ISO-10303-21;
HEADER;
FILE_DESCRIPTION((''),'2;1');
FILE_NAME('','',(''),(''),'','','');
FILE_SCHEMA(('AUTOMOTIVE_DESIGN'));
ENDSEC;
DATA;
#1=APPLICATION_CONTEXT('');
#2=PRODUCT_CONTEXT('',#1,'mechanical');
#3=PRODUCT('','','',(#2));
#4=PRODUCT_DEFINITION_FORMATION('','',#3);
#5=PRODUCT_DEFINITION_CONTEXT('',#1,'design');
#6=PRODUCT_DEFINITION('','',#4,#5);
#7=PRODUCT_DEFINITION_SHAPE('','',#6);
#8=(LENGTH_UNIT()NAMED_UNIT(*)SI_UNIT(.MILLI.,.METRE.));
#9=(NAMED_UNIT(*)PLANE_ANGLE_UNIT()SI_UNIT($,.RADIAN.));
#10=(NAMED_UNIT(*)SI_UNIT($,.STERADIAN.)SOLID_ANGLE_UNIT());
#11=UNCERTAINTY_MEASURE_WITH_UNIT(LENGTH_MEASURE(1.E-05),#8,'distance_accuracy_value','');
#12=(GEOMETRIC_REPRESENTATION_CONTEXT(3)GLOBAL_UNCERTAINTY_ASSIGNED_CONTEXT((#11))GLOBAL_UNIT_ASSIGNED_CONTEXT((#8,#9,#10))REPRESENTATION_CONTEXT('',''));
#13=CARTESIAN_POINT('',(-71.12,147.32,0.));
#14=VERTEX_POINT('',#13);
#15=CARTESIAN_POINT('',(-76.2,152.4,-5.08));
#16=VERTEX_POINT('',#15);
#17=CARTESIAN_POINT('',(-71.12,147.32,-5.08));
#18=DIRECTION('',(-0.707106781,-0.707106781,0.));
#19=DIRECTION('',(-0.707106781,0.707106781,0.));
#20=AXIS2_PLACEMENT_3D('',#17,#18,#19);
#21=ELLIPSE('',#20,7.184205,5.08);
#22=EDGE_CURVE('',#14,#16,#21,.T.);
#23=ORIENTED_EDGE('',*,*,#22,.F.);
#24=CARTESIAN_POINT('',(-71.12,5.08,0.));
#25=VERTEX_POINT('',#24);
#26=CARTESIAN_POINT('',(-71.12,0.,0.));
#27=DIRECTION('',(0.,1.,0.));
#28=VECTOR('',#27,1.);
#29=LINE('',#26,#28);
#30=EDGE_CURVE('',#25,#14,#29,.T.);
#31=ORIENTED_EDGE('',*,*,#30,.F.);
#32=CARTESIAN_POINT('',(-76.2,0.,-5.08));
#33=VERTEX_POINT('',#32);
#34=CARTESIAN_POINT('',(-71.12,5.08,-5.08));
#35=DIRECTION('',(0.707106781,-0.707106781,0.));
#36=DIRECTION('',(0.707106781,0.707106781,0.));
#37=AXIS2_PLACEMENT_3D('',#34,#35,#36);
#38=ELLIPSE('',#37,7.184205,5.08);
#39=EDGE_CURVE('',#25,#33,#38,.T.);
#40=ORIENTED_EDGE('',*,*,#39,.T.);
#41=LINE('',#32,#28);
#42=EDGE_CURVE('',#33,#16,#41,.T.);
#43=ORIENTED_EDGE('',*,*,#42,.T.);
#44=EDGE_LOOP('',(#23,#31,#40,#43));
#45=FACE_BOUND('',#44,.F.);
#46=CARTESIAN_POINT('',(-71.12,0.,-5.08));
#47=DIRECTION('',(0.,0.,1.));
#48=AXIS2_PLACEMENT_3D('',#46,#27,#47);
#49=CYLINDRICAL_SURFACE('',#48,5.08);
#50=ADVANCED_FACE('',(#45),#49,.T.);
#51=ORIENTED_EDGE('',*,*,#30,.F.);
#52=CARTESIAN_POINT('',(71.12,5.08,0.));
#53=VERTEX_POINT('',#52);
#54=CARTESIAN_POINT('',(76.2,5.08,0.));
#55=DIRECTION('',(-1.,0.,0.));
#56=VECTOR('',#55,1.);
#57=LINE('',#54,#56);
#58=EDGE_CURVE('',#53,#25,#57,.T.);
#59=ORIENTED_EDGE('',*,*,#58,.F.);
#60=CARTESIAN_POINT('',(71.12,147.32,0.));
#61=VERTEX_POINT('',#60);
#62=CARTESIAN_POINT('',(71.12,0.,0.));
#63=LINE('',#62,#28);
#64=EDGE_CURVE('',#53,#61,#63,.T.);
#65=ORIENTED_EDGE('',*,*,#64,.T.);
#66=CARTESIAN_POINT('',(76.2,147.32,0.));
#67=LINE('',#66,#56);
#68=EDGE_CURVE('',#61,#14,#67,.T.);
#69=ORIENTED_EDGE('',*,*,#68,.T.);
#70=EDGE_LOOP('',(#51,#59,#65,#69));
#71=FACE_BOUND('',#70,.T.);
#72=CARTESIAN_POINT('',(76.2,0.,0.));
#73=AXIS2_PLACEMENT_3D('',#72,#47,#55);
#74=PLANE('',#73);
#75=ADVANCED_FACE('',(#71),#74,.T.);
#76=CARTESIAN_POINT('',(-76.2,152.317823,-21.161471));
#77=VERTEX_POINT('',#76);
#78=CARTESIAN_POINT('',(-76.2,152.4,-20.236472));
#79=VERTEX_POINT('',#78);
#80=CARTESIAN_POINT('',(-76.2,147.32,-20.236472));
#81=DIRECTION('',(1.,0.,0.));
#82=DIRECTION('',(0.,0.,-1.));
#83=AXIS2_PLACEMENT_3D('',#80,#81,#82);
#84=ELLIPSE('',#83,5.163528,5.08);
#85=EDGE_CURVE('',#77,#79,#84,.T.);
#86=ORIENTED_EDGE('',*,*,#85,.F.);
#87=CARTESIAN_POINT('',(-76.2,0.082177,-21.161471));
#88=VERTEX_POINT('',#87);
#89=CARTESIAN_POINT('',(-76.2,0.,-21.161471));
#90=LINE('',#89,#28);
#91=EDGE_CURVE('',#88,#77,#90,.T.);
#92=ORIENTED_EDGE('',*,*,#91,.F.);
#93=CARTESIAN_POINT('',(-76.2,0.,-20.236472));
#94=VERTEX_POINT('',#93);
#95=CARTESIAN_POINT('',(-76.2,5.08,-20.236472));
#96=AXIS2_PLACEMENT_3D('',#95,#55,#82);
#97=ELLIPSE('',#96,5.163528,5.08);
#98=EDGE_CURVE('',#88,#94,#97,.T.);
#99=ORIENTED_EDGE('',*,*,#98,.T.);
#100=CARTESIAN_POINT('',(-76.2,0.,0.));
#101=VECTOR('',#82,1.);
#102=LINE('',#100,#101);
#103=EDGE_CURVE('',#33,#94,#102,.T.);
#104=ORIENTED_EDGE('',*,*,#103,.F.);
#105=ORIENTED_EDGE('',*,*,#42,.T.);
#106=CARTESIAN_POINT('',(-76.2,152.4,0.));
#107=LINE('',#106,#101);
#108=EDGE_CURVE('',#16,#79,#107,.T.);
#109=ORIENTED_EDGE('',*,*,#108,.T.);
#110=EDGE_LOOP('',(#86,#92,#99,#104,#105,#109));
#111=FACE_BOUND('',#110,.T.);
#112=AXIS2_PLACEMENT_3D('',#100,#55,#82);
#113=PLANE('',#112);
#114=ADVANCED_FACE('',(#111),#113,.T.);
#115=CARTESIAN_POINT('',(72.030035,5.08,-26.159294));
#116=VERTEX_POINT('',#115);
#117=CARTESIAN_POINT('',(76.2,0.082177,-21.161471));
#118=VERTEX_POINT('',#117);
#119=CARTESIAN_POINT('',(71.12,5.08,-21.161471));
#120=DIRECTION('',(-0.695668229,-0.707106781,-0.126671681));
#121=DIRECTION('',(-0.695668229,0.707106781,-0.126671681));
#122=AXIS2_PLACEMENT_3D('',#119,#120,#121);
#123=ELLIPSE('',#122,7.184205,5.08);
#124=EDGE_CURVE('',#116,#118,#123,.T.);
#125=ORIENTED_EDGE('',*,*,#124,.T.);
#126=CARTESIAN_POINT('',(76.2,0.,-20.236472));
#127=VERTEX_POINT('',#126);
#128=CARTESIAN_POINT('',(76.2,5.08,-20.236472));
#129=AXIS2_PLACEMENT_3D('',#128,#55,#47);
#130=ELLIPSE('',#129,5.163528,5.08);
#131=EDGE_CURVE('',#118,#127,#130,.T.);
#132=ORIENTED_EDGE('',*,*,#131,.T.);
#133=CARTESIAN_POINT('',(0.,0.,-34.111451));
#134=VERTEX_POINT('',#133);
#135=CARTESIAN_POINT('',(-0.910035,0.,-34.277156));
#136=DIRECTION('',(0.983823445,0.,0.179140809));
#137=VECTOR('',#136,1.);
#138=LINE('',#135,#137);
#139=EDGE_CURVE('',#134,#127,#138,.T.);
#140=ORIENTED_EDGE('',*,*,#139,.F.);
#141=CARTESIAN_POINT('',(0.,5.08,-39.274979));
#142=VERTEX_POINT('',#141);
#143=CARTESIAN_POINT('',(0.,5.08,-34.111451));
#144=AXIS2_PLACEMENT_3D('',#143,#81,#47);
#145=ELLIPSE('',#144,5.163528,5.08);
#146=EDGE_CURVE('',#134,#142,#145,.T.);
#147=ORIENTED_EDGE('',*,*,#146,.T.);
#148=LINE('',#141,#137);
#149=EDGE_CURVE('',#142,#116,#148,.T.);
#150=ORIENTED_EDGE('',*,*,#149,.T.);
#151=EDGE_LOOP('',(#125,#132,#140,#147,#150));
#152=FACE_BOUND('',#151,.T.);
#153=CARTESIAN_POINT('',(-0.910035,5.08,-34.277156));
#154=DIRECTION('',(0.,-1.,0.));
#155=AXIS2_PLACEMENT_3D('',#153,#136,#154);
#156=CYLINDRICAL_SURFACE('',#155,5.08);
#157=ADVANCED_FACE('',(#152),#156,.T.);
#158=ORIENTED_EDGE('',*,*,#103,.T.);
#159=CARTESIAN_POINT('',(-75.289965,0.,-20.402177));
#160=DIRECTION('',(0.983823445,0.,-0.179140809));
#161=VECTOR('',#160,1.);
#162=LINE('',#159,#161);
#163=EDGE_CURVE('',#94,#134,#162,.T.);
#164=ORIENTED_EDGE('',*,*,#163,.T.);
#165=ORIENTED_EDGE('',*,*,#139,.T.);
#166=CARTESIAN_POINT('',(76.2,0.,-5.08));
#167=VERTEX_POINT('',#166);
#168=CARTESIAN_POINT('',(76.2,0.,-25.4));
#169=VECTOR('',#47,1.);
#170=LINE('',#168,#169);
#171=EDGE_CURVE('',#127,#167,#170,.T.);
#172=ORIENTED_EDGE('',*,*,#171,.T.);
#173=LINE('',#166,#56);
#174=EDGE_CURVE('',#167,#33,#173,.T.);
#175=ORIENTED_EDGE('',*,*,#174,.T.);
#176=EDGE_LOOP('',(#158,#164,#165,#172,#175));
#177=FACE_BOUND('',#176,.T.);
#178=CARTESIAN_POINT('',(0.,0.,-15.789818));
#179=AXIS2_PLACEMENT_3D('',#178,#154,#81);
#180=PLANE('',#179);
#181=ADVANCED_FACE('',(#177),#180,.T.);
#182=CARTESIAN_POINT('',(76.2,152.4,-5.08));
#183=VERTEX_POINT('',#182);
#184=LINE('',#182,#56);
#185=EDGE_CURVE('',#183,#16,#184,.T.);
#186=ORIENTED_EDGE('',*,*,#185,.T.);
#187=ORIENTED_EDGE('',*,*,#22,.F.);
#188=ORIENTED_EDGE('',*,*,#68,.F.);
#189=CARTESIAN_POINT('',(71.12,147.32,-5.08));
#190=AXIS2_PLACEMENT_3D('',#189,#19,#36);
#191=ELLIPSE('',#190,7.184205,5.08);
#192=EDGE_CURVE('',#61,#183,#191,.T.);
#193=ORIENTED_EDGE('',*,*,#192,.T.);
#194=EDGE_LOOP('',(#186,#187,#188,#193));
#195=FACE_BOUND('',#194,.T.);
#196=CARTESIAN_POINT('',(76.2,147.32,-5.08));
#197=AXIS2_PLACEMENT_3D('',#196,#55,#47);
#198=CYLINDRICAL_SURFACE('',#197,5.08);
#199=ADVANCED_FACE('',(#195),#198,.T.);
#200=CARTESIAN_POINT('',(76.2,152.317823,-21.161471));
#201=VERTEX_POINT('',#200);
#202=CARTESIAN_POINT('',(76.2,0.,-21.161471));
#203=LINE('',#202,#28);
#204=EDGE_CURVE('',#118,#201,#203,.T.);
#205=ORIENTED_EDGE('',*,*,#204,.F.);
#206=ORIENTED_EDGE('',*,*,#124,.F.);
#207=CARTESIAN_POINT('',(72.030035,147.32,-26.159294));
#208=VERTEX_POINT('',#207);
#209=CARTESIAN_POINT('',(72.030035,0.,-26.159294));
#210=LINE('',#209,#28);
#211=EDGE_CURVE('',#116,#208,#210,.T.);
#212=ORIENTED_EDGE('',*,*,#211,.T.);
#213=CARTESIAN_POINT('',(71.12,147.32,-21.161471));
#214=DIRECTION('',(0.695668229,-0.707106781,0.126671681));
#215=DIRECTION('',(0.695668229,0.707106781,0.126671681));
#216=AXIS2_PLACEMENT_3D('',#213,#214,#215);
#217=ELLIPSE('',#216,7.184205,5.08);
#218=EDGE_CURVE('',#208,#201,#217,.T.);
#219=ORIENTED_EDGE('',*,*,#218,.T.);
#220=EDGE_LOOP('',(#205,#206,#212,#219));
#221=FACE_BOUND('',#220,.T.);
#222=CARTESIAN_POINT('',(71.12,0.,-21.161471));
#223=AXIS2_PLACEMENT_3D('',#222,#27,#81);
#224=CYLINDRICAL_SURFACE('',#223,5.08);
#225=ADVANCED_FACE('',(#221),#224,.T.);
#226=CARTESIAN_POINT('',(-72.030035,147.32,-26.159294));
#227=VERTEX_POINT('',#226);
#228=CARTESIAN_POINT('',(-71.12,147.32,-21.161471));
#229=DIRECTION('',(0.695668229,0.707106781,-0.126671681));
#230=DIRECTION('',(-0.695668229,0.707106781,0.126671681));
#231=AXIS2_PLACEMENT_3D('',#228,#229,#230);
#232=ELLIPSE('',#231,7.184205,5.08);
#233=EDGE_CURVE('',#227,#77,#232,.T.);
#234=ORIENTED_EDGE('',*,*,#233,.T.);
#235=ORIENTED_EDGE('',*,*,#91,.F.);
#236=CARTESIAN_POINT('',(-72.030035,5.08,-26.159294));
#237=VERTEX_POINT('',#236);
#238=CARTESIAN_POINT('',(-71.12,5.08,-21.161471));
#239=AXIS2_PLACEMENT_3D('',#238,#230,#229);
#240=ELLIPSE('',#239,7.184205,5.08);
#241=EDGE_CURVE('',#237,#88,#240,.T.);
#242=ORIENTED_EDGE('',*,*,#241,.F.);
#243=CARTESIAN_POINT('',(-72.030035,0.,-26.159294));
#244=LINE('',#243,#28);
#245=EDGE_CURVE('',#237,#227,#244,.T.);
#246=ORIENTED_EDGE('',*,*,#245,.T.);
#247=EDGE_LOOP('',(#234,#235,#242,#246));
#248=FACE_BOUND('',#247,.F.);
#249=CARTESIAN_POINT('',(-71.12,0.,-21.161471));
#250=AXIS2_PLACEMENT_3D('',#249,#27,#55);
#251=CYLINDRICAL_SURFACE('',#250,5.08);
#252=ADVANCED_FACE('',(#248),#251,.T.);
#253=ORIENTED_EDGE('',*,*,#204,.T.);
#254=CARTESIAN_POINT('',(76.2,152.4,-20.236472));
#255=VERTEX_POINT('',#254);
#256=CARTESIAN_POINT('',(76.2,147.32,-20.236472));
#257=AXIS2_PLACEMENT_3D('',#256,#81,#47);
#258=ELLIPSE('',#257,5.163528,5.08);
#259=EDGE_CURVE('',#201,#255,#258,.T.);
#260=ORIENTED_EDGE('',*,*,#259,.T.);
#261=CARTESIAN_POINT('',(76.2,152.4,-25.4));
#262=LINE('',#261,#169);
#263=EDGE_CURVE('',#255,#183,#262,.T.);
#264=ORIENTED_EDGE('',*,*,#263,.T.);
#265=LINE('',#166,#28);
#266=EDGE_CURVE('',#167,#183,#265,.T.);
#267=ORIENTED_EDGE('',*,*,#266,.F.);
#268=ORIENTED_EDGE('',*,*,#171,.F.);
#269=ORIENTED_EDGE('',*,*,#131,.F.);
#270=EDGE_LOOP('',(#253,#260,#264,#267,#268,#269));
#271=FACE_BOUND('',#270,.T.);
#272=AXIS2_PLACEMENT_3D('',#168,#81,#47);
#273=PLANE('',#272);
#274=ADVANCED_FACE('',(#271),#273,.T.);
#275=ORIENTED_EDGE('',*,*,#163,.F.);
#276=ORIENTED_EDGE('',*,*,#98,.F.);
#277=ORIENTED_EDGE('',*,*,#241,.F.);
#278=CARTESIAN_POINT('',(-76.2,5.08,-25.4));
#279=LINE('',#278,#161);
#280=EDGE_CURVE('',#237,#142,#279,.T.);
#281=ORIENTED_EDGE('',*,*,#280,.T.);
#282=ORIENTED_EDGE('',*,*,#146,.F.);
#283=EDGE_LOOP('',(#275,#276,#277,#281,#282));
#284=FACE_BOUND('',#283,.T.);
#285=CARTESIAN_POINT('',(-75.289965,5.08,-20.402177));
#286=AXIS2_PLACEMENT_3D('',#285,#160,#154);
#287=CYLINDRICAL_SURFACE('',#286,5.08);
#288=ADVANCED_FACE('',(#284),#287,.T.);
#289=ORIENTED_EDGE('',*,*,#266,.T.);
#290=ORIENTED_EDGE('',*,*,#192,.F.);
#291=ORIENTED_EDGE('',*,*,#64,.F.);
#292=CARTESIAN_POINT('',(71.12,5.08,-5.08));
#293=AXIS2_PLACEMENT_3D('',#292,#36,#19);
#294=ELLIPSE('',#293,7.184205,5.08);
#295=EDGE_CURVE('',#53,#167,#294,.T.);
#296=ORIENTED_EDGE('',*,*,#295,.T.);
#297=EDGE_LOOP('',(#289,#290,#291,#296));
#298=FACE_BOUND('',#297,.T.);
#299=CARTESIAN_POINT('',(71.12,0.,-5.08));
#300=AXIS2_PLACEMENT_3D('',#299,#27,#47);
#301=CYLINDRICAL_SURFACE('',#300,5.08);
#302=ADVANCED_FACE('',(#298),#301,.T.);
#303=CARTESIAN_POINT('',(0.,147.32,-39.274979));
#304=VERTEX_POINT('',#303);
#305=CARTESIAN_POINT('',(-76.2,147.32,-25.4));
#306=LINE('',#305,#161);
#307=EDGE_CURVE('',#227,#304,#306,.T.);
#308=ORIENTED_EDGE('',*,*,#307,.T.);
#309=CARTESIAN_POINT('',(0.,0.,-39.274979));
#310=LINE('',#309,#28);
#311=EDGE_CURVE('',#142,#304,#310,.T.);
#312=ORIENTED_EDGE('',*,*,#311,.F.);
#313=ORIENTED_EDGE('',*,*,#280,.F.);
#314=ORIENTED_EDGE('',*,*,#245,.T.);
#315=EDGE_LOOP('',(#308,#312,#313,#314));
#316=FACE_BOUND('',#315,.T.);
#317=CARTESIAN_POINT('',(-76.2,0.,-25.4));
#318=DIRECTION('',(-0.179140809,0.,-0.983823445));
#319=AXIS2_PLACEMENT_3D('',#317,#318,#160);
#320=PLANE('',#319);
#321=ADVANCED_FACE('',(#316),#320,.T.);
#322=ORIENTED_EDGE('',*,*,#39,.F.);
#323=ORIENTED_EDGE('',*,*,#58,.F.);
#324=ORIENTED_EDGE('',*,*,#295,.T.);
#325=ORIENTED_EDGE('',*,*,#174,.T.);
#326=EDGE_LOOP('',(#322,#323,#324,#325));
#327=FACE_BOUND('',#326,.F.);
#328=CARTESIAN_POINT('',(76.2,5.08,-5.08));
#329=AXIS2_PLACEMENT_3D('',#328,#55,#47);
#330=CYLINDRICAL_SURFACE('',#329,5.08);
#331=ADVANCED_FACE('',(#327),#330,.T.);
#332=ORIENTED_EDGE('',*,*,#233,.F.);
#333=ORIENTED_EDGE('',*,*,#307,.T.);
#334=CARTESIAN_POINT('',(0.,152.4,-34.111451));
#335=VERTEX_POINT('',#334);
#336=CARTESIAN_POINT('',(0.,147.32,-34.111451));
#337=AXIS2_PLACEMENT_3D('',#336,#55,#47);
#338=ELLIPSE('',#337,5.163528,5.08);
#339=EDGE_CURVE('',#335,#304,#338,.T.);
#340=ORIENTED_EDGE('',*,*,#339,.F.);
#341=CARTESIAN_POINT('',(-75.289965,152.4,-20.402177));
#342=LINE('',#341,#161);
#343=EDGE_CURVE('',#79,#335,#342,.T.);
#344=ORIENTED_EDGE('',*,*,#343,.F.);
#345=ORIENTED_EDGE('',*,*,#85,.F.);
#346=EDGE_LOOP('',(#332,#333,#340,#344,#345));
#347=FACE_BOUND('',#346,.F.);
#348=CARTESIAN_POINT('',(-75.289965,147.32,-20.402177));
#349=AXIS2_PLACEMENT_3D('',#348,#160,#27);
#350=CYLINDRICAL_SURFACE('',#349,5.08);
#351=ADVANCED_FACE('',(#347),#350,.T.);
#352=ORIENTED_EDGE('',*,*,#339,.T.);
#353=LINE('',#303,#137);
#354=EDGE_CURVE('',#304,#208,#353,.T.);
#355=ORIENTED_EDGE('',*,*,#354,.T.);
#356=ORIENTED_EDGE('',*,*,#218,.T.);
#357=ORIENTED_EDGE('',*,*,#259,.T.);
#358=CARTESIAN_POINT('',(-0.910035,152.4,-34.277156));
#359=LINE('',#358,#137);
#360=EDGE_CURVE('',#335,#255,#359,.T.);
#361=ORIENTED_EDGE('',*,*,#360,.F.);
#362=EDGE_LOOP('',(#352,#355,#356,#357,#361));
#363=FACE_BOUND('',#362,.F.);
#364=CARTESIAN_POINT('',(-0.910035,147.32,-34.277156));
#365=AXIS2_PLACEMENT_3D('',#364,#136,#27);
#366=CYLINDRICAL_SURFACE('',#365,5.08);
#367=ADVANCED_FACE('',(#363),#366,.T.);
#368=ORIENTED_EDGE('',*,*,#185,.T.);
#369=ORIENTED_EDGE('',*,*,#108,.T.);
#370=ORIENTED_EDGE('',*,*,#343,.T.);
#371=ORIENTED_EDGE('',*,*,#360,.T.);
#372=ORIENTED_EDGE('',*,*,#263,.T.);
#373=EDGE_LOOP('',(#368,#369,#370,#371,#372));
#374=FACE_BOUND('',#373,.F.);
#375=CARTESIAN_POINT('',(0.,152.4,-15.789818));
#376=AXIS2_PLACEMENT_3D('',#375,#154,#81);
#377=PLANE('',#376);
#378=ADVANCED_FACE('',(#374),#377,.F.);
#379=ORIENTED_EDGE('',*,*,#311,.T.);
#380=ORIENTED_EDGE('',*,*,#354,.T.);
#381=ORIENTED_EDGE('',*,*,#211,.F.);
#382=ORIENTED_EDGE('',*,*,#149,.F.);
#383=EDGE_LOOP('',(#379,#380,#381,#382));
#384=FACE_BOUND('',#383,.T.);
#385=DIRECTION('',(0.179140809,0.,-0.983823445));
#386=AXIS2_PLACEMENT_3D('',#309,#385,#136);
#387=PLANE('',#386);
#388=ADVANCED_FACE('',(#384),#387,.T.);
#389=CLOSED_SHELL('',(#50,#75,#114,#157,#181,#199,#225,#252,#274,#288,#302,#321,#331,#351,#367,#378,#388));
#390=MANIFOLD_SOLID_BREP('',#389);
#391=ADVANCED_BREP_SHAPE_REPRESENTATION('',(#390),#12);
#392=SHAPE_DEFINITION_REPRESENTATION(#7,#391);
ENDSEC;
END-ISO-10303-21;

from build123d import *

# Parameters (mm, degrees)
F1_DEPTH = 152.4
F2_R     = 5.08
F3_R     = 5.08


with BuildPart() as f1:
    # F0 (on Front) → F1 (new body)
    with BuildSketch(Plane.XZ):
        Polygon((76.2, 0), (0, 0), (-76.2, 0), (-76.2, -25.4), (0, -39.274979), (76.2, -25.4), align=None)
    extrude(amount=-F1_DEPTH)

    # F2
    f2_edges = [f1.edges().sort_by_distance(p)[0] for p in [
        (76.2, 76.2, 0),
        (0, 152.4, 0),
        (-76.2, 76.2, 0),
        (0, 0, 0),
    ]]
    fillet(f2_edges, radius=F2_R)

    # F3
    f3_edges = [f1.edges().sort_by_distance(p)[0] for p in [
        (76.2, 76.2, -25.4),
        (38.1, 0, -32.33749),
        (-38.1, 0, -32.33749),
        (38.1, 152.4, -32.33749),
        (-38.1, 152.4, -32.33749),
        (-76.2, 76.2, -25.4),
    ]]
    fillet(f3_edges, radius=F3_R)


solid = f1.part
